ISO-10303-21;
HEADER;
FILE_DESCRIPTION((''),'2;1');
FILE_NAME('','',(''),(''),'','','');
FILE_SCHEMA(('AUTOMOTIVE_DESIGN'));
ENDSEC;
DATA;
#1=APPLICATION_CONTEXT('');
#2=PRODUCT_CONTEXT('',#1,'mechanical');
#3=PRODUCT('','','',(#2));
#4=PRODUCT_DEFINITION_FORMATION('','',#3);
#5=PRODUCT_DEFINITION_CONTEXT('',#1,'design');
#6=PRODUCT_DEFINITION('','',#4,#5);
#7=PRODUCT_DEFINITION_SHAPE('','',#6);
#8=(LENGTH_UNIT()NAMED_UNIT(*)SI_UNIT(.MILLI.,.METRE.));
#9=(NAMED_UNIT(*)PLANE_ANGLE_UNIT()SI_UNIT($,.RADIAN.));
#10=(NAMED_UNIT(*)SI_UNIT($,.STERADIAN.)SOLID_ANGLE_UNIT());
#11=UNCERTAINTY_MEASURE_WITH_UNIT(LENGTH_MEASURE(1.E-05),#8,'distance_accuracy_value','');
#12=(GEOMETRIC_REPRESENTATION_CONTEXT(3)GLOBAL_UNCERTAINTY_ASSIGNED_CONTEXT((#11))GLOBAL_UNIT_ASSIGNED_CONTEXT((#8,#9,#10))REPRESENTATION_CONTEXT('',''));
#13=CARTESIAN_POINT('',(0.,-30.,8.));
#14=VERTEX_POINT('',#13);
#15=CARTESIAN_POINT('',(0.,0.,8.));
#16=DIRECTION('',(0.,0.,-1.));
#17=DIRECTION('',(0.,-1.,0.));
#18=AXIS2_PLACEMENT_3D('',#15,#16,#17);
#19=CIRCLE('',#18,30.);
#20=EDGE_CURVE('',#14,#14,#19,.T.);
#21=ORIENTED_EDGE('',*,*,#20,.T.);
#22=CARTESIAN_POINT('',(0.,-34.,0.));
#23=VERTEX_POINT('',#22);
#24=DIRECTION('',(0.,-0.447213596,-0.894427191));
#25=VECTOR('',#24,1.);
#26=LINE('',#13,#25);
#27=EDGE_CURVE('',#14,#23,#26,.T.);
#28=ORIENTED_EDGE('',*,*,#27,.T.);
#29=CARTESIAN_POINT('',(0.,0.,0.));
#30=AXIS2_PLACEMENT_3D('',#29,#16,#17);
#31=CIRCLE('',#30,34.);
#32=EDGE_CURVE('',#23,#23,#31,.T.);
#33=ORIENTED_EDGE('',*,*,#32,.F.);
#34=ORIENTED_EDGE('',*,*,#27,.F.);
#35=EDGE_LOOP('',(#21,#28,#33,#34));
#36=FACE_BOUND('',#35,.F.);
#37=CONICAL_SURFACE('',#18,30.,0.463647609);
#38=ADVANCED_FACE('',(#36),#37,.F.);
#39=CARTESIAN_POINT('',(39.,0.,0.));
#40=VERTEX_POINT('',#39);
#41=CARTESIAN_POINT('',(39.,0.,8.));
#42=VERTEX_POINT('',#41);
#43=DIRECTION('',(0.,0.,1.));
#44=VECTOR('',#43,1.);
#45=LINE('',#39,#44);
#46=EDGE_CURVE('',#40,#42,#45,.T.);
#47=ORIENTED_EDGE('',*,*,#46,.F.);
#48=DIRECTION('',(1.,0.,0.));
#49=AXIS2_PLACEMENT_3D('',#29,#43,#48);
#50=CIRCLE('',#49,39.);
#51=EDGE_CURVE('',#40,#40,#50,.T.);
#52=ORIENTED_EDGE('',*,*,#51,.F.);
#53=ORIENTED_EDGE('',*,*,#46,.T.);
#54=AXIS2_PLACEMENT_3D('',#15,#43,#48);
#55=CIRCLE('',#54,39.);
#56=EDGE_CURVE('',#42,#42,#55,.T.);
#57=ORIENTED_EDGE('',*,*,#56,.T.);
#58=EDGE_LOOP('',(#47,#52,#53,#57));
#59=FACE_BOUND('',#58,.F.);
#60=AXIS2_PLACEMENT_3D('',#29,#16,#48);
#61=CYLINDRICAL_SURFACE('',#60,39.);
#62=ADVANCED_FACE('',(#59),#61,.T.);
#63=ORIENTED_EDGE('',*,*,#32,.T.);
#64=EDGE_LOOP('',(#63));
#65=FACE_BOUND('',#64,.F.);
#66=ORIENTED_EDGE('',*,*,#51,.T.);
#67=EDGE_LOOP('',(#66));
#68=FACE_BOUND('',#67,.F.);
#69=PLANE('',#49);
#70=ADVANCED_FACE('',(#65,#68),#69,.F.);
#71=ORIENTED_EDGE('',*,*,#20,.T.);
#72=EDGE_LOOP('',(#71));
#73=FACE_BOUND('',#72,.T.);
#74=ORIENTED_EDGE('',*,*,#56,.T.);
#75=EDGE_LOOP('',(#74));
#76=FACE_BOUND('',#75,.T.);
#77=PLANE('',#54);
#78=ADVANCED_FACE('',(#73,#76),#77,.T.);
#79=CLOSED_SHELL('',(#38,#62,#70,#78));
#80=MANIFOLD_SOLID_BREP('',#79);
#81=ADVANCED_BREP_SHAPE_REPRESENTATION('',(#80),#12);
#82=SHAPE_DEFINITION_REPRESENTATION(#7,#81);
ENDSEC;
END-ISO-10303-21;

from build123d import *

# Parameters (mm, degrees)
F0_R     = 39
F0_R_2   = 30
F1_DEPTH = 8


with BuildPart() as f1:
    # F0 (on Top) → F1 (new body)
    with BuildSketch(Plane.XY):
        Circle(F0_R)
        Circle(F0_R_2, mode=Mode.SUBTRACT)
    extrude(amount=F1_DEPTH)

    # F2 (on Right) → F3 (revolve, cut)
    with BuildSketch(Plane.YZ):
        Polygon((-34, 0), (-30, 0), (-30, 8), align=None)
    revolve(axis=Axis((0, 0, 0), (0, 0, -1)), mode=Mode.SUBTRACT)


solid = f1.part
